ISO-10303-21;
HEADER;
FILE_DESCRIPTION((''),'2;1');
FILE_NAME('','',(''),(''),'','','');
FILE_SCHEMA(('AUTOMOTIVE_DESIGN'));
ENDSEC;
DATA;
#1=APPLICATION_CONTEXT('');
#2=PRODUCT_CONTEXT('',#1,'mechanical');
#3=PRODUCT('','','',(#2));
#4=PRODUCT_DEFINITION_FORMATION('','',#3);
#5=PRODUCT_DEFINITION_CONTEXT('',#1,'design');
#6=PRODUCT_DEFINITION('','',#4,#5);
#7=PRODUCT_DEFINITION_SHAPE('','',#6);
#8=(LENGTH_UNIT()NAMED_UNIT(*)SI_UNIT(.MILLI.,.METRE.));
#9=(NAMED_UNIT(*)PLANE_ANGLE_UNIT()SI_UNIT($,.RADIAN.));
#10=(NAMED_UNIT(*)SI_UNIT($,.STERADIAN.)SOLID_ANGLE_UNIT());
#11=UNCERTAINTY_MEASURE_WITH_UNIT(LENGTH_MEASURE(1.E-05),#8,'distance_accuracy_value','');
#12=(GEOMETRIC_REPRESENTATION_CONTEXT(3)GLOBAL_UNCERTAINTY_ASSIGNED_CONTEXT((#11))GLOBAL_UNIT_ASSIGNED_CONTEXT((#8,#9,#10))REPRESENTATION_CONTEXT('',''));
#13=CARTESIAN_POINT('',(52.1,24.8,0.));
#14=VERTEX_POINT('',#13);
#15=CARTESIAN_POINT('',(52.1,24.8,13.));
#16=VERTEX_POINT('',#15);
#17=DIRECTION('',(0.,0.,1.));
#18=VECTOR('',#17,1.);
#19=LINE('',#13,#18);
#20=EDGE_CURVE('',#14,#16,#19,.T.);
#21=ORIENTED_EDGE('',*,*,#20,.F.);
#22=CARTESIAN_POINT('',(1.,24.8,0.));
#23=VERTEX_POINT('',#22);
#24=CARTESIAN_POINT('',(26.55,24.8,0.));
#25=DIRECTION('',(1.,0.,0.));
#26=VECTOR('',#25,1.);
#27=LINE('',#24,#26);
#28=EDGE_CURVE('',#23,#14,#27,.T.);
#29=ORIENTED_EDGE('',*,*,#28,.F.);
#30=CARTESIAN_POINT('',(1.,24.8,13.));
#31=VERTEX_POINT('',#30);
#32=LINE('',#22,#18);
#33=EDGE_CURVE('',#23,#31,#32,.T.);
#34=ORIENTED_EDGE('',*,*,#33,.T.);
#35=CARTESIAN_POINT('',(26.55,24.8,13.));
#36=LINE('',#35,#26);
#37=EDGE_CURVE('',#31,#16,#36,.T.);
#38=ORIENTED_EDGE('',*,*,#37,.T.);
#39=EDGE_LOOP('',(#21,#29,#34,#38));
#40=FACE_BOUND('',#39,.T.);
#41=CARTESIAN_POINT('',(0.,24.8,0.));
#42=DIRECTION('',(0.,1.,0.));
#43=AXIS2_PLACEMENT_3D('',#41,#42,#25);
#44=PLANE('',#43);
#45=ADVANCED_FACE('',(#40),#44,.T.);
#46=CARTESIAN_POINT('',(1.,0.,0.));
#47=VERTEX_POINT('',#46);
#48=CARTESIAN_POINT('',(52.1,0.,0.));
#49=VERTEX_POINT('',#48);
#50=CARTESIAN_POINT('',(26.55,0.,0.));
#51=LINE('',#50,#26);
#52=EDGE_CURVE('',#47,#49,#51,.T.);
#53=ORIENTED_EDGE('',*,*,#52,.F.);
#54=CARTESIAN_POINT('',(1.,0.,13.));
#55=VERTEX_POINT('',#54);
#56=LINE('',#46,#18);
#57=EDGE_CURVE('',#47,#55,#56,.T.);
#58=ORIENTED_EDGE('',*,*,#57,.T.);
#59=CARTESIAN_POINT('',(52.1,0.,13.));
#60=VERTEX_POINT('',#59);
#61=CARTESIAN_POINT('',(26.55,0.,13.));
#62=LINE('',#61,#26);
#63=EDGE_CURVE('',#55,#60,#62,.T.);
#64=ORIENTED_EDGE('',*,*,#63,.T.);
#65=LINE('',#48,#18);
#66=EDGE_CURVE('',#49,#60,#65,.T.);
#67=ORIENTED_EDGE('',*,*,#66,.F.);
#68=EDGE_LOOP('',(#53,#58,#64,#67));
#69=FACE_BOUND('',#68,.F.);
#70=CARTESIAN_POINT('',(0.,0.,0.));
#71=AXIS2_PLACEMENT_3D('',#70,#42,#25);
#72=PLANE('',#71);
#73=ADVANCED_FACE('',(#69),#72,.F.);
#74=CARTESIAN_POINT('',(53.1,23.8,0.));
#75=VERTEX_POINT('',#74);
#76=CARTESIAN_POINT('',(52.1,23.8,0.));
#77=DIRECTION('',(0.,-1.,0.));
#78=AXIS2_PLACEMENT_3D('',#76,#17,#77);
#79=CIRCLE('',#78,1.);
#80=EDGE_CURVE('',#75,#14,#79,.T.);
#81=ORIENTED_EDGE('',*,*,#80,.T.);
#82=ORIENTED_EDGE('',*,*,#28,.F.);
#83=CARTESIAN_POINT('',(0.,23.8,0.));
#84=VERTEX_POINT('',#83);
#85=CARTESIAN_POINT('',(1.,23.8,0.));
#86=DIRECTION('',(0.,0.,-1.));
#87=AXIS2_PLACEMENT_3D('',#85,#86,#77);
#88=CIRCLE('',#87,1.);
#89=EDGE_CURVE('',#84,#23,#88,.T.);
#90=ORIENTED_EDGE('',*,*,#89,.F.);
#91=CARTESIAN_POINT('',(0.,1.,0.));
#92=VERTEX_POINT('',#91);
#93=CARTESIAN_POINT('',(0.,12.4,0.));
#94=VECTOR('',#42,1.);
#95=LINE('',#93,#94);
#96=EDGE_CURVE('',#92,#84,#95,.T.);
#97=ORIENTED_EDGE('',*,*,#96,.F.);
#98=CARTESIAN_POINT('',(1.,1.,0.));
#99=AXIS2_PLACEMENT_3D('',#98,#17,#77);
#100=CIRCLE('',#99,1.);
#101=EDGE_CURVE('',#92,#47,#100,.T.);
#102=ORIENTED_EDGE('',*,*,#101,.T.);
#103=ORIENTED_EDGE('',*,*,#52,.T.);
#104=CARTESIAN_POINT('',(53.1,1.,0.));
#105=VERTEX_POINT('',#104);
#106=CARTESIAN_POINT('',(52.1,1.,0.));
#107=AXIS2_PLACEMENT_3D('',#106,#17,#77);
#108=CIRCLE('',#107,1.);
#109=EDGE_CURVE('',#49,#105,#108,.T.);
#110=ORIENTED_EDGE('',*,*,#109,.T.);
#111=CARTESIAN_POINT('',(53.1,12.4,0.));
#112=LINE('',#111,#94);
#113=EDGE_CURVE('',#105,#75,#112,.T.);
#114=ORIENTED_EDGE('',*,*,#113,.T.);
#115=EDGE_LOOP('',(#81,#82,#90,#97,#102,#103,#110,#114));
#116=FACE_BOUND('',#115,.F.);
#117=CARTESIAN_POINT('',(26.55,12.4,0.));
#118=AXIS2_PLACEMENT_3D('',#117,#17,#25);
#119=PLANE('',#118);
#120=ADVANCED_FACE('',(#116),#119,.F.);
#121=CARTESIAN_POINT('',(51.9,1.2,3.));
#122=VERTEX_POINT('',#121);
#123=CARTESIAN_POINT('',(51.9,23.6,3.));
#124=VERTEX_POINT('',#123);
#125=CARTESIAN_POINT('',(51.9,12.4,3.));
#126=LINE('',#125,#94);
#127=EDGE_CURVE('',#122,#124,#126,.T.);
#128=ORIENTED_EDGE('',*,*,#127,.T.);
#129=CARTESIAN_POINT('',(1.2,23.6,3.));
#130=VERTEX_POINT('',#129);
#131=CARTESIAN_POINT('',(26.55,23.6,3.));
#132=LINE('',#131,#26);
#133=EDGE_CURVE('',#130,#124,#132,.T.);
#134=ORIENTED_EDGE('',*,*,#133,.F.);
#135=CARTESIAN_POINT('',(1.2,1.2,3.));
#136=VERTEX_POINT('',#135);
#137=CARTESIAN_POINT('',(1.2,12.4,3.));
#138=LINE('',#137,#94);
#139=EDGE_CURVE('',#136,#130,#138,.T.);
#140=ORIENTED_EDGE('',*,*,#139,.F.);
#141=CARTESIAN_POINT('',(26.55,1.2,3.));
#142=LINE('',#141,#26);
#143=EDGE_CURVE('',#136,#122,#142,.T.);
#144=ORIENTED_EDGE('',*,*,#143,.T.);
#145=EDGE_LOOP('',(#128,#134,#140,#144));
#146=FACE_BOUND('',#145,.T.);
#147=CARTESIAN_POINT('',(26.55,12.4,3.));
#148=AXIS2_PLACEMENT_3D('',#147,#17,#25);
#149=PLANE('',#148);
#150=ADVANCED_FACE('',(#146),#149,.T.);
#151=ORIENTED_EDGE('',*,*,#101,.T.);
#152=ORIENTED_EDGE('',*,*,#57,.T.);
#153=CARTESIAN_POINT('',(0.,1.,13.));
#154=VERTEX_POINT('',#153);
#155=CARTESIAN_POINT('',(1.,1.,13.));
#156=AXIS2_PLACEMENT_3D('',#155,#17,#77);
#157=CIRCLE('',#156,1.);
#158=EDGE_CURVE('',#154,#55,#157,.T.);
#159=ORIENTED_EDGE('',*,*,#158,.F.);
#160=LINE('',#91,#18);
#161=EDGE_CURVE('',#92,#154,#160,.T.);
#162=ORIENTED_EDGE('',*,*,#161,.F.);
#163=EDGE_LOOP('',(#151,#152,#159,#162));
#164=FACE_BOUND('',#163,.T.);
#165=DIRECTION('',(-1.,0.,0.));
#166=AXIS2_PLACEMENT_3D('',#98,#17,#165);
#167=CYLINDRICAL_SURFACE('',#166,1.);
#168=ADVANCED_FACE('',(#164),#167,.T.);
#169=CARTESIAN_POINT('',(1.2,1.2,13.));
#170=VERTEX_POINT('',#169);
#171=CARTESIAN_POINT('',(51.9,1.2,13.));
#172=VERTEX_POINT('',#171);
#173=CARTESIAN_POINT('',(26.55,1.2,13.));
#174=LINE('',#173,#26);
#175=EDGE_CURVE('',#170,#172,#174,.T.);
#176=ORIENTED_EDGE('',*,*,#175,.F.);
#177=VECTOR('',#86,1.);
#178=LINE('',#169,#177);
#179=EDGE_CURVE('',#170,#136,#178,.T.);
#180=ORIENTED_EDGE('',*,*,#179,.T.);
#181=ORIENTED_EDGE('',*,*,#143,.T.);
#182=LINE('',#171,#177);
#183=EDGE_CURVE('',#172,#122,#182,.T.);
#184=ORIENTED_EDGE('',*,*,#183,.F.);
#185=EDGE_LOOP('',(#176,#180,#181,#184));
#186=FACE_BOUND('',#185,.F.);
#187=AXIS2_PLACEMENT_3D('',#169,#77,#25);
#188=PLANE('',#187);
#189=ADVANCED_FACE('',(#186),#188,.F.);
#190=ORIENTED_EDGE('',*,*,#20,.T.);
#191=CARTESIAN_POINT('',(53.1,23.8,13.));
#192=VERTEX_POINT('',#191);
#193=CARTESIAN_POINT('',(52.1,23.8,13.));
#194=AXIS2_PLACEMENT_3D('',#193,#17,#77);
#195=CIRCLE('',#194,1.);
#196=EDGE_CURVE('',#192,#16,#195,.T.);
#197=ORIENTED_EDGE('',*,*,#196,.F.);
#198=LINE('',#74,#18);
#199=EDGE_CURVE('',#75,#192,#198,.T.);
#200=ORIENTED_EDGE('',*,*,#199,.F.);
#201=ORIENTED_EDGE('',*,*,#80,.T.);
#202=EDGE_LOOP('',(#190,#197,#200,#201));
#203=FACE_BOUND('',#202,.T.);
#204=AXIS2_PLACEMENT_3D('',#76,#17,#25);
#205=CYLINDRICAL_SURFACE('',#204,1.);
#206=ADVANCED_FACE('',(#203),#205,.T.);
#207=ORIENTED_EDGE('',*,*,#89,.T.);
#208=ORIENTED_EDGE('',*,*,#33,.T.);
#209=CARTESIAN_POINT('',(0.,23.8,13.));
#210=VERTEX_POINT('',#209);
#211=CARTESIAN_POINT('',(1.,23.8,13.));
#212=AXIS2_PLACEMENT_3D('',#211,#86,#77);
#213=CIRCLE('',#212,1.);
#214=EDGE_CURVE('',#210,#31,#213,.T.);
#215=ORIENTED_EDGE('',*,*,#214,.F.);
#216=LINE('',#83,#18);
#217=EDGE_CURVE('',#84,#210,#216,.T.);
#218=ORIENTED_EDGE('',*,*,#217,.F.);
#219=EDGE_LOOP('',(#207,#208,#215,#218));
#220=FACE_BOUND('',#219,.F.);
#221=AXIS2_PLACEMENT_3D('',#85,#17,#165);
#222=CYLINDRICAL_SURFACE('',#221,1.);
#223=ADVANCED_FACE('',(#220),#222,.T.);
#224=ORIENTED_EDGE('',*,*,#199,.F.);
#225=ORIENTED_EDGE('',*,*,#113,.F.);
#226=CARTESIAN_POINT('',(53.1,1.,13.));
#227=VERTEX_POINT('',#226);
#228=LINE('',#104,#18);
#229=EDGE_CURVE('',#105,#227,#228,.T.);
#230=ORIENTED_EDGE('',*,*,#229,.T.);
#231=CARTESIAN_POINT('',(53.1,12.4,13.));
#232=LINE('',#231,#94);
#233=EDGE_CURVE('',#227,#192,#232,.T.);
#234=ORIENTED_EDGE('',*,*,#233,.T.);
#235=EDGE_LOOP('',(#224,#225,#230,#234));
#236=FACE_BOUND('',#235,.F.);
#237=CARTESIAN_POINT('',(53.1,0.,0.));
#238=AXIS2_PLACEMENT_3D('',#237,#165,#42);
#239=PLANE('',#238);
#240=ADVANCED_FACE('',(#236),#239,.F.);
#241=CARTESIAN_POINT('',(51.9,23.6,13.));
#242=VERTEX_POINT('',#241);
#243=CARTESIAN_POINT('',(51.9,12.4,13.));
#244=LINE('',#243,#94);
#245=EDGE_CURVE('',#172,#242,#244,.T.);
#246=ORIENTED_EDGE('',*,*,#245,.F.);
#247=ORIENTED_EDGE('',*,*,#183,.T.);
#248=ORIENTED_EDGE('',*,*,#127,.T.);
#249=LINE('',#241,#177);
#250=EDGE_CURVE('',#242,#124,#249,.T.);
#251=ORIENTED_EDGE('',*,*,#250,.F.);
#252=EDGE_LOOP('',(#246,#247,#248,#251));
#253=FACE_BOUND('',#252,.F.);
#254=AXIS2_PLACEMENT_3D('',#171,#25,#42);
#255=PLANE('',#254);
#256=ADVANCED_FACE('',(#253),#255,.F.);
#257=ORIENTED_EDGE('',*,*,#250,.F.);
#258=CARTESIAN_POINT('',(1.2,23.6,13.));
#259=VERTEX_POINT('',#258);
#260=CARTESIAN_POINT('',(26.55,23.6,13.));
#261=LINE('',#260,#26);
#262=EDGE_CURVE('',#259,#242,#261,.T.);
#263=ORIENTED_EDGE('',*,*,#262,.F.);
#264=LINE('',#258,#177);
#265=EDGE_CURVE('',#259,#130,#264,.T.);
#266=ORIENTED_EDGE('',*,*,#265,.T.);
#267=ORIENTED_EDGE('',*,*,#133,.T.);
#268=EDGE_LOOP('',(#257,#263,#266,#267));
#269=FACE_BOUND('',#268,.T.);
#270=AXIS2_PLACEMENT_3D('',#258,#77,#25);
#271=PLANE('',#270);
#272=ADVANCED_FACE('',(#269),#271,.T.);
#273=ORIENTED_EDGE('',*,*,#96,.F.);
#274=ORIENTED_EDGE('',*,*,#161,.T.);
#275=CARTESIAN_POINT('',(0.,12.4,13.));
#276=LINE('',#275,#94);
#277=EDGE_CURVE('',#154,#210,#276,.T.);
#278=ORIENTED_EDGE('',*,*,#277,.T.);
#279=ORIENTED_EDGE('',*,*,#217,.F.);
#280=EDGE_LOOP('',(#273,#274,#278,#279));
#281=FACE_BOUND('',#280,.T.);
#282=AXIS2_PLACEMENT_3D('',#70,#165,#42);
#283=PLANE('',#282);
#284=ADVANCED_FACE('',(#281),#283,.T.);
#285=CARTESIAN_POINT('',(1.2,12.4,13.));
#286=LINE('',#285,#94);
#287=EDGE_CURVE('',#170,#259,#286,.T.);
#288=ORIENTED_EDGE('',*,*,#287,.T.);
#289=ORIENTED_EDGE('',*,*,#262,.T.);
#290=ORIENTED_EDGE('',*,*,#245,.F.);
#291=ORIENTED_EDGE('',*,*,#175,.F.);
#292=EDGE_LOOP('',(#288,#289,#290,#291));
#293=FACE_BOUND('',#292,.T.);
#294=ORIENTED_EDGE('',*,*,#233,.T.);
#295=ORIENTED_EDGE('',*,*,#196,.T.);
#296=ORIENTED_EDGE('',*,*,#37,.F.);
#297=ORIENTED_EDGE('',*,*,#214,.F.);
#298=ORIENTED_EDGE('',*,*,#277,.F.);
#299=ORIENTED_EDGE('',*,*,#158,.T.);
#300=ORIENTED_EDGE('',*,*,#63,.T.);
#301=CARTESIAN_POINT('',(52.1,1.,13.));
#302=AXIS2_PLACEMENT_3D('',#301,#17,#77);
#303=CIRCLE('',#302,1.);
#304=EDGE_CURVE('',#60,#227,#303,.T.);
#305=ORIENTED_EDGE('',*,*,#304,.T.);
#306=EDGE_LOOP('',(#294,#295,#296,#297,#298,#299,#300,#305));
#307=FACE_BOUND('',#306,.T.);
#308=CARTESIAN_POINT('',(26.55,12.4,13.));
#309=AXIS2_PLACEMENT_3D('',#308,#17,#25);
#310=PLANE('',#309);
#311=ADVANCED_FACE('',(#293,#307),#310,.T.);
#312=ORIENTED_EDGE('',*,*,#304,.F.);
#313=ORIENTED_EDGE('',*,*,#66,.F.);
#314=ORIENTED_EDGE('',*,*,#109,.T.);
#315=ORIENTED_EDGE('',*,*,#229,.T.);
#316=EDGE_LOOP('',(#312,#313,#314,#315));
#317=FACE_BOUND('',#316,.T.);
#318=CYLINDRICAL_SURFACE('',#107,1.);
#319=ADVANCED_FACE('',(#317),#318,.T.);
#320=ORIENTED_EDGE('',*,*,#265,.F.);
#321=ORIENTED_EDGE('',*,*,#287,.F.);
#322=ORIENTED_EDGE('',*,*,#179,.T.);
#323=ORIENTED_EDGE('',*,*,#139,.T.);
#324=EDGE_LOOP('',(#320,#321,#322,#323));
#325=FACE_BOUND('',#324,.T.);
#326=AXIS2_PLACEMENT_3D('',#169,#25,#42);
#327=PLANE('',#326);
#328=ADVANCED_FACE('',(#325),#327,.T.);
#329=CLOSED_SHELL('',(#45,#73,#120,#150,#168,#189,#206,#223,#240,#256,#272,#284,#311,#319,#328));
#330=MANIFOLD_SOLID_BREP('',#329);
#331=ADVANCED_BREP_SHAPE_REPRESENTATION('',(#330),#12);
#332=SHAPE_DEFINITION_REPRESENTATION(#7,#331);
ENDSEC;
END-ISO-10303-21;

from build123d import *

# Parameters (mm, degrees)
F0_W     = 53.1
F0_H     = 24.8
F1_DEPTH = 13
F2_R     = 1
F3_W     = 50.7
F3_H     = 22.4
F4_DEPTH = 10


with BuildPart() as f1:
    # F0 (on Top) → F1 (new body)
    with BuildSketch(Plane.XY):
        with Locations((26.55, 12.4)):
            Rectangle(F0_W, F0_H)
    extrude(amount=F1_DEPTH)

    # F2
    f2_edges = [f1.edges().sort_by_distance(p)[0] for p in [
        (53.1, 24.8, 6.5),
        (53.1, 0, 6.5),
        (0, 24.8, 6.5),
        (0, 0, 6.5),
    ]]
    fillet(f2_edges, radius=F2_R)

    # F3 (on face) → F4 (cut)
    with BuildSketch(Plane.XY.offset(13)):
        with Locations((26.55, 12.4)):
            Rectangle(F3_W, F3_H)
    extrude(amount=-F4_DEPTH, mode=Mode.SUBTRACT)


solid = f1.part
